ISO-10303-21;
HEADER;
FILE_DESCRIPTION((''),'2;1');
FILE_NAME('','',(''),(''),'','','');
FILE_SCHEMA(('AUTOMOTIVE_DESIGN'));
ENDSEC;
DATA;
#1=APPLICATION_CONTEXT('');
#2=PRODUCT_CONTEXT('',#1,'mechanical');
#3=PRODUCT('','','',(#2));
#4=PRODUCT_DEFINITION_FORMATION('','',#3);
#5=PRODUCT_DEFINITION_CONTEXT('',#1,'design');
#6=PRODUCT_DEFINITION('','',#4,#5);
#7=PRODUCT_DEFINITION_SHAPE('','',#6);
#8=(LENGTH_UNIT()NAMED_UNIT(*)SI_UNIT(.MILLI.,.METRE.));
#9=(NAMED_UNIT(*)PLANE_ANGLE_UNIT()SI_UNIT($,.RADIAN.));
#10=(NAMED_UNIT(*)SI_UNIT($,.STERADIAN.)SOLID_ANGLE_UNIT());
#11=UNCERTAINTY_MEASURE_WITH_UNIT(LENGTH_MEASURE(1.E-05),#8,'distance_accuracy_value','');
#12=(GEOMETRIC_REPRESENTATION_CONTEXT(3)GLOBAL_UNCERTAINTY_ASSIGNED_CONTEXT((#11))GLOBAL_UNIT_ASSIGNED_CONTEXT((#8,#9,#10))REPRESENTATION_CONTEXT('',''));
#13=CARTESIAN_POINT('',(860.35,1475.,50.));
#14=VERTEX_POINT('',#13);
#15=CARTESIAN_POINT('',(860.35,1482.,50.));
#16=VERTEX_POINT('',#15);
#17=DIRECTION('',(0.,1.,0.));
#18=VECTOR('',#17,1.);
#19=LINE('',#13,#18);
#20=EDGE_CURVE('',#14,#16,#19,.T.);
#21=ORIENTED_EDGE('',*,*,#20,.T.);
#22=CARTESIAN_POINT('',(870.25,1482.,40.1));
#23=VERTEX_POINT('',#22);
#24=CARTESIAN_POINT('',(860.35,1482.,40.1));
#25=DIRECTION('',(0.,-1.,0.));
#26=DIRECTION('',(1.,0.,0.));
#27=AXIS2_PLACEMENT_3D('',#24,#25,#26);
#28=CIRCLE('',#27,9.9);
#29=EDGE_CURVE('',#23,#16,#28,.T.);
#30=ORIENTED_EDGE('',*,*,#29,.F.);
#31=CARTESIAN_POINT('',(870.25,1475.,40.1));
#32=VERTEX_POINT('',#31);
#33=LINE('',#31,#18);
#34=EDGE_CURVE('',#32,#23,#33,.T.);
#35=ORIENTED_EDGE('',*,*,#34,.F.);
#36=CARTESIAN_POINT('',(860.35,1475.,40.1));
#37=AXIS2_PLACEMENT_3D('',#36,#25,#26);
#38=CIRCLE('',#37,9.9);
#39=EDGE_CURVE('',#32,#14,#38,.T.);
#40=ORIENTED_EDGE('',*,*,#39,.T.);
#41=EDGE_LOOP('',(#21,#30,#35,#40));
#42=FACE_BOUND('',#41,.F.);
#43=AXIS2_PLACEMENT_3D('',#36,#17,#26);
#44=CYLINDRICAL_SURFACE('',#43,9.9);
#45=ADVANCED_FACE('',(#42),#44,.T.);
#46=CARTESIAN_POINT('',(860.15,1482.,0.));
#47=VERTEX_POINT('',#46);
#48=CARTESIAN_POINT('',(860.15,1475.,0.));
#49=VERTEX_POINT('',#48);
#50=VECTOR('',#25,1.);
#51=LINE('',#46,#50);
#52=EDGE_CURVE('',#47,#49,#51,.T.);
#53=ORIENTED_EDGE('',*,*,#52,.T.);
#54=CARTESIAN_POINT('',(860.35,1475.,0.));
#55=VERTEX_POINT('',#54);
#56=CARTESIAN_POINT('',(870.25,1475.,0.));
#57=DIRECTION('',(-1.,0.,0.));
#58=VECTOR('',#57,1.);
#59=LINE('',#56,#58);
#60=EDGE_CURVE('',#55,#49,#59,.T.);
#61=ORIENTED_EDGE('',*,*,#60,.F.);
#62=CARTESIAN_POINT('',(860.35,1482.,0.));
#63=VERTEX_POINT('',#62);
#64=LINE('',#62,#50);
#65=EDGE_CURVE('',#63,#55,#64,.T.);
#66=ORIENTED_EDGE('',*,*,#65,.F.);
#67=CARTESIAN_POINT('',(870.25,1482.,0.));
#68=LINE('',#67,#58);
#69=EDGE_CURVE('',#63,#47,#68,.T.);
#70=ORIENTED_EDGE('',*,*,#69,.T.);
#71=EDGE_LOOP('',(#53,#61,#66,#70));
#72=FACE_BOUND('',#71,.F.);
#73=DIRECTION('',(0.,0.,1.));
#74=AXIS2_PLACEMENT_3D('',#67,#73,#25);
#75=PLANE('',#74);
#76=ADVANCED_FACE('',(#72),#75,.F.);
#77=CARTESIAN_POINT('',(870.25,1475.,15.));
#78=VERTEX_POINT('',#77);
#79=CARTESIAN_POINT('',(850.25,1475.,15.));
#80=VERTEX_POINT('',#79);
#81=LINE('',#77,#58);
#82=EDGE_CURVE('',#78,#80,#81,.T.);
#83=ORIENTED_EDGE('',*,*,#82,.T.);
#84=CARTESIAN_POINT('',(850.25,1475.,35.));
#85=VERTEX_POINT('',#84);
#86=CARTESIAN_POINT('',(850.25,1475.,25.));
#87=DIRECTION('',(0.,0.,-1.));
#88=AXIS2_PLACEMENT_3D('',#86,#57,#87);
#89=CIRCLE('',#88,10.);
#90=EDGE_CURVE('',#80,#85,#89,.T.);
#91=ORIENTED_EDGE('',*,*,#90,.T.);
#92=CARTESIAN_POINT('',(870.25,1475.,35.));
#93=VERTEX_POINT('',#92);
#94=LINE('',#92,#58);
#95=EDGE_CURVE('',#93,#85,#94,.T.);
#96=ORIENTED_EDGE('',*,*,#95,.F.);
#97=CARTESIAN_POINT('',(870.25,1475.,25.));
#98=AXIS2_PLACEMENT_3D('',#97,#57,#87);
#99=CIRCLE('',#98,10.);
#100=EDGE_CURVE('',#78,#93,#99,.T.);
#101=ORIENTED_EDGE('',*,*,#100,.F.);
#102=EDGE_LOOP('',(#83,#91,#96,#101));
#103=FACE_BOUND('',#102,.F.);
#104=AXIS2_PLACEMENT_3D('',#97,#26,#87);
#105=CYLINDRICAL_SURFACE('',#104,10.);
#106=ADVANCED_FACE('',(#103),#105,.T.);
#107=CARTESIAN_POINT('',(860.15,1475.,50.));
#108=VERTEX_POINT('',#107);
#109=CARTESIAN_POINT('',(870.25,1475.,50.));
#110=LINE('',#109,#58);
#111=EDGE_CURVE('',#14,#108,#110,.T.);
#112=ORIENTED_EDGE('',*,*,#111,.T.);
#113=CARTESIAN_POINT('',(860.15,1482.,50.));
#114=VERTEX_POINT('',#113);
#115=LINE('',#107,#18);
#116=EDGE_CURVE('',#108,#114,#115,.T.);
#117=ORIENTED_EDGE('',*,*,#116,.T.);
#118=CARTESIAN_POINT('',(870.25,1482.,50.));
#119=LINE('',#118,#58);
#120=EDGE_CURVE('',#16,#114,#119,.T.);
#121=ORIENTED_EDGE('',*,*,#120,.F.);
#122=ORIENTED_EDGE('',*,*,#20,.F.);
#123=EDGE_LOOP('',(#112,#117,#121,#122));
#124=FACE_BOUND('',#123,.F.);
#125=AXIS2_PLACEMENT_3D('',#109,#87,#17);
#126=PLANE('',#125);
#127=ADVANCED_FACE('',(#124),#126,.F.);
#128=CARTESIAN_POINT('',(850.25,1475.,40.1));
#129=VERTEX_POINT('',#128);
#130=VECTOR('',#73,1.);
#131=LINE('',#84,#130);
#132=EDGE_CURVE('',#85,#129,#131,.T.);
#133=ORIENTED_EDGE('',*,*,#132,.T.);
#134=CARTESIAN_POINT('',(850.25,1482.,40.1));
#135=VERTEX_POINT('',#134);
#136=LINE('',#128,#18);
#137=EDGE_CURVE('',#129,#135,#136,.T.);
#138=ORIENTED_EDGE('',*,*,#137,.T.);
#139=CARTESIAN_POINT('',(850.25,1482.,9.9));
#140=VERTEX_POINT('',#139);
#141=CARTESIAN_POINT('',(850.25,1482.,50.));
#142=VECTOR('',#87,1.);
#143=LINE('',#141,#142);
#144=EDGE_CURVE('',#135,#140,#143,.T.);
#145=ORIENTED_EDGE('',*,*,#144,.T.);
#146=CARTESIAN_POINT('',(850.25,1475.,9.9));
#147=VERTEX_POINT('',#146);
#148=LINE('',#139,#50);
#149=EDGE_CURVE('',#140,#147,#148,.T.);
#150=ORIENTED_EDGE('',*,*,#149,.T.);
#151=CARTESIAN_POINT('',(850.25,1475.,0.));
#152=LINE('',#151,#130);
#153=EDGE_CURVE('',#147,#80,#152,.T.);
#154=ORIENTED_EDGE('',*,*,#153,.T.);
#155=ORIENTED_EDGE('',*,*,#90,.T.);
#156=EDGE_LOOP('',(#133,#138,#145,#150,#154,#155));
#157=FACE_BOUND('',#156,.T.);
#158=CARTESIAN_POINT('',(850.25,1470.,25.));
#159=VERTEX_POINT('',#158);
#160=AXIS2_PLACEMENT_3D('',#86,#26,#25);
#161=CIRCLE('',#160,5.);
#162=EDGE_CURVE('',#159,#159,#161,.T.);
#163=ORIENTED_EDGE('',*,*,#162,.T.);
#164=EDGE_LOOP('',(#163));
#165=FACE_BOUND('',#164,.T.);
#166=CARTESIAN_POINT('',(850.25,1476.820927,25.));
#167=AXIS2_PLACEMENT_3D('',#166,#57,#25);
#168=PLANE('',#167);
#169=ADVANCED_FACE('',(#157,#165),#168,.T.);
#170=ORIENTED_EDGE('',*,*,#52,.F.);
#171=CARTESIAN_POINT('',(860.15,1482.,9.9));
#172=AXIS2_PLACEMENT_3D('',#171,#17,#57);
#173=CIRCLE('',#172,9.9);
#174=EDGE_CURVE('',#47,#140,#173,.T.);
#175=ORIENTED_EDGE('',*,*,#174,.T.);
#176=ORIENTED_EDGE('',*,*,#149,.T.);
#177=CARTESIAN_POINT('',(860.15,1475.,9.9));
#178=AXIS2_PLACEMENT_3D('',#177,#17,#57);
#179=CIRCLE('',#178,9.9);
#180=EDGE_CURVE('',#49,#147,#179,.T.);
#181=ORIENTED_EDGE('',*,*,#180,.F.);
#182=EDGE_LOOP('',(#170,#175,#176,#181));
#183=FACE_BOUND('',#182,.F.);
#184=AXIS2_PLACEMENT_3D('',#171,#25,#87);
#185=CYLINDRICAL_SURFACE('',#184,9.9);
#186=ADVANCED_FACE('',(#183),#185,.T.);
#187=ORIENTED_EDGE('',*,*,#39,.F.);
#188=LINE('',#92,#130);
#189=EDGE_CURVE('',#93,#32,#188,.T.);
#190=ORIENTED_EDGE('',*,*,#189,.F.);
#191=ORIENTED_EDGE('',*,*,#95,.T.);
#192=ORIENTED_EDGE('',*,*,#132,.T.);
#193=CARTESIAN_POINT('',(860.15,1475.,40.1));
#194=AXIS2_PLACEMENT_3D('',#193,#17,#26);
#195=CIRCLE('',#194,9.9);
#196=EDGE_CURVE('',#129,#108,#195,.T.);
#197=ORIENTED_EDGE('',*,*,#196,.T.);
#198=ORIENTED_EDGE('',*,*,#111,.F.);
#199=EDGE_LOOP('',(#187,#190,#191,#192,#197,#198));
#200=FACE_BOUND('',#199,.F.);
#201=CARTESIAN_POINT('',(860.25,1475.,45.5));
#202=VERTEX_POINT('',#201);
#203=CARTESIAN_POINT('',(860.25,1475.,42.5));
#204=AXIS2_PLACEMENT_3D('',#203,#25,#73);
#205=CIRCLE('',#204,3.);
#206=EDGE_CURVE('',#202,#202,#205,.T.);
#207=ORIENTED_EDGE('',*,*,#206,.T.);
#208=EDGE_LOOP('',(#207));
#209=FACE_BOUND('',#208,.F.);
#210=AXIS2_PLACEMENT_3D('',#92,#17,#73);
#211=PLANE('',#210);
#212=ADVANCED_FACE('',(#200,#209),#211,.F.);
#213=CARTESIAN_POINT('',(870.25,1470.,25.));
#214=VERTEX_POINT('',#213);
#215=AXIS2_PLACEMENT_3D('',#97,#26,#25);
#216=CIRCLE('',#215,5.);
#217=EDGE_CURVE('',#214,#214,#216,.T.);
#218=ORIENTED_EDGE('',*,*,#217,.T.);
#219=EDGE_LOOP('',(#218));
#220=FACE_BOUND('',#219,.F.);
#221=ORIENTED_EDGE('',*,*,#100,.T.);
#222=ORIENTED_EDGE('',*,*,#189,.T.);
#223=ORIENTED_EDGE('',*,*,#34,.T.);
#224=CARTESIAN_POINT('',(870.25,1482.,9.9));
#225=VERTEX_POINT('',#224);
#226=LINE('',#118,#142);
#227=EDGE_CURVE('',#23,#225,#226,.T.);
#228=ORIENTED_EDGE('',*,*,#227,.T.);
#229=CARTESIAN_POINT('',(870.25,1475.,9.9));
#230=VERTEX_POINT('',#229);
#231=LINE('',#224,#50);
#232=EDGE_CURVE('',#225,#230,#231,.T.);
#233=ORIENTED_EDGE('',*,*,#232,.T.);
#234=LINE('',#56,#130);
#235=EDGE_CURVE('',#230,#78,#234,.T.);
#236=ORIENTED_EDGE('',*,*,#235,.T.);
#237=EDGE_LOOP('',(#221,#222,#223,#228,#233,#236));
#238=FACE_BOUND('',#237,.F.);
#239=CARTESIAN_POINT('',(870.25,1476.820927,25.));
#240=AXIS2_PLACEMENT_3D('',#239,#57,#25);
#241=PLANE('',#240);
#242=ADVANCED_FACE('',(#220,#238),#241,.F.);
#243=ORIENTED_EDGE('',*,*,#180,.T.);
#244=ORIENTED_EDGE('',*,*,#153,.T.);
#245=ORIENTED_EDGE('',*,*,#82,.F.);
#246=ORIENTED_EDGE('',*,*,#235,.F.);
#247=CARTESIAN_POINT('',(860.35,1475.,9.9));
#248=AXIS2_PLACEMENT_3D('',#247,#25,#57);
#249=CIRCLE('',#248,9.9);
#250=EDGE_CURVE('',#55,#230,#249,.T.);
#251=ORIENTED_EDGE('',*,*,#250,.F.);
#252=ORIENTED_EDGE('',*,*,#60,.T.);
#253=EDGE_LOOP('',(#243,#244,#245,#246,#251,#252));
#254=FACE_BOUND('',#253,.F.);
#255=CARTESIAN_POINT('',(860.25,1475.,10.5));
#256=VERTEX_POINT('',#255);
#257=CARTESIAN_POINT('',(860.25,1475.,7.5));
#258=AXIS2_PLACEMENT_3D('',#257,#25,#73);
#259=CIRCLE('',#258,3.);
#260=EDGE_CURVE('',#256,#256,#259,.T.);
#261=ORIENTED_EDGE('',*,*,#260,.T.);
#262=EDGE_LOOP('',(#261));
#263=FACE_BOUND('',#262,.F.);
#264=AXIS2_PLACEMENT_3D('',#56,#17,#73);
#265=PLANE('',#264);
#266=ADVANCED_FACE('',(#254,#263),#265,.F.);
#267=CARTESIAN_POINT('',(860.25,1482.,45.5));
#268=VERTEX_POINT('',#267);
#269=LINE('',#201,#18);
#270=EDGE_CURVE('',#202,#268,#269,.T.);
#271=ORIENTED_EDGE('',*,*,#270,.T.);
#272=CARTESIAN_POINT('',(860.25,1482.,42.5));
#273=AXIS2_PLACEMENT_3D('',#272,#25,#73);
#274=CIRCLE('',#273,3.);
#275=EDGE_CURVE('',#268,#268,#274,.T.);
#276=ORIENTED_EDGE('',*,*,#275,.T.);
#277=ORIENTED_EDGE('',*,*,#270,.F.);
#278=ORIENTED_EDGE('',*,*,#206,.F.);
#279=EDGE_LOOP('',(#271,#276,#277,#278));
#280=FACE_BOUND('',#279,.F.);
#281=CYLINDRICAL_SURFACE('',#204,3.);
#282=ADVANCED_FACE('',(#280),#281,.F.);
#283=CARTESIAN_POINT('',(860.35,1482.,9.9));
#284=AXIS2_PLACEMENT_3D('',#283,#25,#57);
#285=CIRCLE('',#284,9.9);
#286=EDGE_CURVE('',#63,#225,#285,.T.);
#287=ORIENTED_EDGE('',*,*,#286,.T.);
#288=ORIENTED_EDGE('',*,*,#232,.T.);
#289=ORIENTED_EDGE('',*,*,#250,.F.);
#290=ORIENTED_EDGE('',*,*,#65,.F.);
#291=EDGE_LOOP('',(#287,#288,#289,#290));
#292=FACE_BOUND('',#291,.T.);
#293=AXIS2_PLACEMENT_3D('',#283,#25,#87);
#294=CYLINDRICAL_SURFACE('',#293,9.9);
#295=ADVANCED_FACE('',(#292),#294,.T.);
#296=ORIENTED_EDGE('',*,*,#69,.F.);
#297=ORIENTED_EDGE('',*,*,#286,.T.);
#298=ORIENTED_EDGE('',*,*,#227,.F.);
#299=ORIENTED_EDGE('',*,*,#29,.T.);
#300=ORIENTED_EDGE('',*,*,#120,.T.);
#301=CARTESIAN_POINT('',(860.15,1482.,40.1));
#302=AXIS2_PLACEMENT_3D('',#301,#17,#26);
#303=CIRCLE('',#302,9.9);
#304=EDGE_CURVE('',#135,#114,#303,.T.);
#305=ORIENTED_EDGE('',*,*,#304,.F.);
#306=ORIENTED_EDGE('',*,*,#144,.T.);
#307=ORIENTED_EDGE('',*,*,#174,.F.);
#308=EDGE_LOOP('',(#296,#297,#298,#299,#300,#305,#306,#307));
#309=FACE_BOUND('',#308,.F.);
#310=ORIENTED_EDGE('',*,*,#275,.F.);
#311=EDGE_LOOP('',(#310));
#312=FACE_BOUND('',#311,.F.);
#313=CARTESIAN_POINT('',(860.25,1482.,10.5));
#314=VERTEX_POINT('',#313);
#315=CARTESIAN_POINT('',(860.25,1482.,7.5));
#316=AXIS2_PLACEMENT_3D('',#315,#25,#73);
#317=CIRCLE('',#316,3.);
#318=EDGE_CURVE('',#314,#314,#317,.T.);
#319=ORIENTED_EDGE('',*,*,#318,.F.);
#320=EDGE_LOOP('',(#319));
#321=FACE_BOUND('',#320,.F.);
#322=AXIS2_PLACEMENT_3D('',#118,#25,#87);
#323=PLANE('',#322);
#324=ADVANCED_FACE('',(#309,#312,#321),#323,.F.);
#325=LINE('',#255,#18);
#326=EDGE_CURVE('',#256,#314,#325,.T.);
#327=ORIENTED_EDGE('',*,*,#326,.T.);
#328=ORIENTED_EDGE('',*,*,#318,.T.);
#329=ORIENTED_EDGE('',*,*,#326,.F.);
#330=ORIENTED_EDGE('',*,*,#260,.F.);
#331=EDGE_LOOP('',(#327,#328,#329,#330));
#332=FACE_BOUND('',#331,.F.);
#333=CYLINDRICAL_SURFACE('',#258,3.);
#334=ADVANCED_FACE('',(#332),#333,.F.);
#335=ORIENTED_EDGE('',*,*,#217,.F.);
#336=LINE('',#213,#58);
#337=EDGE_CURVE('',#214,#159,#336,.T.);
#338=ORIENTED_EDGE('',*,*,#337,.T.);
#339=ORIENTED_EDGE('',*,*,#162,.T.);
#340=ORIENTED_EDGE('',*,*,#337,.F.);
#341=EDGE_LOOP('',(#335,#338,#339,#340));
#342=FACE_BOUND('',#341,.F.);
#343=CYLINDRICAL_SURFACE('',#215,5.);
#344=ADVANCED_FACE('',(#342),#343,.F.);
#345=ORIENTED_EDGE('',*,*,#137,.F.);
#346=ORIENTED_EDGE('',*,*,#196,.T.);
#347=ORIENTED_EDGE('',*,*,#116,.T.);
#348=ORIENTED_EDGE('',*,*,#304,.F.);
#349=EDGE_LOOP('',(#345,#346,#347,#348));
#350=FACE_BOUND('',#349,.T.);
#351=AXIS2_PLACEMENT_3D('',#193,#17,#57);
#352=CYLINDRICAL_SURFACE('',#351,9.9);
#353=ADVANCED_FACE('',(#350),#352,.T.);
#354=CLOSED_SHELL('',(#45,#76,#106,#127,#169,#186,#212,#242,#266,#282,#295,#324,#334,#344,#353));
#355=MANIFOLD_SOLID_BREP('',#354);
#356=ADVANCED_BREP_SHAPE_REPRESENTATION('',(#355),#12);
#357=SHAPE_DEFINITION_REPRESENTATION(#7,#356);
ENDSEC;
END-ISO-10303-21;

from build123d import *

# Parameters (mm, degrees)
PAD030_DEPTH             = 20
SKETCH021_R              = 5
POCKET001006_DEPTH       = 20.001
FILLET_R                 = 9.9
SKETCH024_R              = 3
POCKET002_DEPTH          = 7.001
CLONE076_ROLL_ANGLE      = 90
CLONE076_PLACEMENT_ANGLE = -90


with BuildPart() as part:
    # Sketch020 → Pad030 (new body)
    with BuildSketch(Plane.XY):
        with BuildLine():
            Line((18, 0), (25, 0))
            Line((25, 0), (25, 15))
            ThreePointArc((25, 15), (35, 25), (25, 35))
            Line((25, 35), (25, 50))
            Line((25, 50), (18, 50))
            Line((18, 50), (18, 0))
        make_face()
    extrude(amount=PAD030_DEPTH)

    # Sketch021 → Pocket001006 (cut, through all)
    with BuildSketch(Plane(origin=(0, 0, 0), x_dir=(1, 0, 0), z_dir=(0, 0, -1))):
        with Locations((25, -25)):
            Circle(SKETCH021_R)
    extrude(amount=-POCKET001006_DEPTH, mode=Mode.SUBTRACT)

    # Fillet
    fillet_edges = [part.edges().sort_by_distance(p)[0] for p in [
        (21.5, 0, 0),
        (21.5, 50, 0),
        (21.5, 50, 20),
        (21.5, 0, 20),
    ]]
    fillet(fillet_edges, radius=FILLET_R)

    # Sketch024 → Pocket002 (cut, through all)
    with BuildSketch(Plane.YZ.offset(25)):
        with Locations((7.5, 10)):
            Circle(SKETCH024_R)
        with Locations((42.5, 10)):
            Circle(SKETCH024_R)
    extrude(amount=-POCKET002_DEPTH, mode=Mode.SUBTRACT)


with BuildPart() as part_1:
    # Clone076 roll: moved
    add(part.part.rotate(Axis((0, 0, 0), (1, 0, 0)), CLONE076_ROLL_ANGLE))


with BuildPart() as part_2:
    # Clone076 placement: moved
    add(part_1.part.moved(Location((120.75, 1500, 0))).rotate(Axis((120.75, 1500, 0), (0, 0, 1)), CLONE076_PLACEMENT_ANGLE))


with BuildPart() as part_3:
    # Clone082 placement: moved
    add(part_2.part.moved(Location((749.5, 0, 0))))


solid = part_3.part
